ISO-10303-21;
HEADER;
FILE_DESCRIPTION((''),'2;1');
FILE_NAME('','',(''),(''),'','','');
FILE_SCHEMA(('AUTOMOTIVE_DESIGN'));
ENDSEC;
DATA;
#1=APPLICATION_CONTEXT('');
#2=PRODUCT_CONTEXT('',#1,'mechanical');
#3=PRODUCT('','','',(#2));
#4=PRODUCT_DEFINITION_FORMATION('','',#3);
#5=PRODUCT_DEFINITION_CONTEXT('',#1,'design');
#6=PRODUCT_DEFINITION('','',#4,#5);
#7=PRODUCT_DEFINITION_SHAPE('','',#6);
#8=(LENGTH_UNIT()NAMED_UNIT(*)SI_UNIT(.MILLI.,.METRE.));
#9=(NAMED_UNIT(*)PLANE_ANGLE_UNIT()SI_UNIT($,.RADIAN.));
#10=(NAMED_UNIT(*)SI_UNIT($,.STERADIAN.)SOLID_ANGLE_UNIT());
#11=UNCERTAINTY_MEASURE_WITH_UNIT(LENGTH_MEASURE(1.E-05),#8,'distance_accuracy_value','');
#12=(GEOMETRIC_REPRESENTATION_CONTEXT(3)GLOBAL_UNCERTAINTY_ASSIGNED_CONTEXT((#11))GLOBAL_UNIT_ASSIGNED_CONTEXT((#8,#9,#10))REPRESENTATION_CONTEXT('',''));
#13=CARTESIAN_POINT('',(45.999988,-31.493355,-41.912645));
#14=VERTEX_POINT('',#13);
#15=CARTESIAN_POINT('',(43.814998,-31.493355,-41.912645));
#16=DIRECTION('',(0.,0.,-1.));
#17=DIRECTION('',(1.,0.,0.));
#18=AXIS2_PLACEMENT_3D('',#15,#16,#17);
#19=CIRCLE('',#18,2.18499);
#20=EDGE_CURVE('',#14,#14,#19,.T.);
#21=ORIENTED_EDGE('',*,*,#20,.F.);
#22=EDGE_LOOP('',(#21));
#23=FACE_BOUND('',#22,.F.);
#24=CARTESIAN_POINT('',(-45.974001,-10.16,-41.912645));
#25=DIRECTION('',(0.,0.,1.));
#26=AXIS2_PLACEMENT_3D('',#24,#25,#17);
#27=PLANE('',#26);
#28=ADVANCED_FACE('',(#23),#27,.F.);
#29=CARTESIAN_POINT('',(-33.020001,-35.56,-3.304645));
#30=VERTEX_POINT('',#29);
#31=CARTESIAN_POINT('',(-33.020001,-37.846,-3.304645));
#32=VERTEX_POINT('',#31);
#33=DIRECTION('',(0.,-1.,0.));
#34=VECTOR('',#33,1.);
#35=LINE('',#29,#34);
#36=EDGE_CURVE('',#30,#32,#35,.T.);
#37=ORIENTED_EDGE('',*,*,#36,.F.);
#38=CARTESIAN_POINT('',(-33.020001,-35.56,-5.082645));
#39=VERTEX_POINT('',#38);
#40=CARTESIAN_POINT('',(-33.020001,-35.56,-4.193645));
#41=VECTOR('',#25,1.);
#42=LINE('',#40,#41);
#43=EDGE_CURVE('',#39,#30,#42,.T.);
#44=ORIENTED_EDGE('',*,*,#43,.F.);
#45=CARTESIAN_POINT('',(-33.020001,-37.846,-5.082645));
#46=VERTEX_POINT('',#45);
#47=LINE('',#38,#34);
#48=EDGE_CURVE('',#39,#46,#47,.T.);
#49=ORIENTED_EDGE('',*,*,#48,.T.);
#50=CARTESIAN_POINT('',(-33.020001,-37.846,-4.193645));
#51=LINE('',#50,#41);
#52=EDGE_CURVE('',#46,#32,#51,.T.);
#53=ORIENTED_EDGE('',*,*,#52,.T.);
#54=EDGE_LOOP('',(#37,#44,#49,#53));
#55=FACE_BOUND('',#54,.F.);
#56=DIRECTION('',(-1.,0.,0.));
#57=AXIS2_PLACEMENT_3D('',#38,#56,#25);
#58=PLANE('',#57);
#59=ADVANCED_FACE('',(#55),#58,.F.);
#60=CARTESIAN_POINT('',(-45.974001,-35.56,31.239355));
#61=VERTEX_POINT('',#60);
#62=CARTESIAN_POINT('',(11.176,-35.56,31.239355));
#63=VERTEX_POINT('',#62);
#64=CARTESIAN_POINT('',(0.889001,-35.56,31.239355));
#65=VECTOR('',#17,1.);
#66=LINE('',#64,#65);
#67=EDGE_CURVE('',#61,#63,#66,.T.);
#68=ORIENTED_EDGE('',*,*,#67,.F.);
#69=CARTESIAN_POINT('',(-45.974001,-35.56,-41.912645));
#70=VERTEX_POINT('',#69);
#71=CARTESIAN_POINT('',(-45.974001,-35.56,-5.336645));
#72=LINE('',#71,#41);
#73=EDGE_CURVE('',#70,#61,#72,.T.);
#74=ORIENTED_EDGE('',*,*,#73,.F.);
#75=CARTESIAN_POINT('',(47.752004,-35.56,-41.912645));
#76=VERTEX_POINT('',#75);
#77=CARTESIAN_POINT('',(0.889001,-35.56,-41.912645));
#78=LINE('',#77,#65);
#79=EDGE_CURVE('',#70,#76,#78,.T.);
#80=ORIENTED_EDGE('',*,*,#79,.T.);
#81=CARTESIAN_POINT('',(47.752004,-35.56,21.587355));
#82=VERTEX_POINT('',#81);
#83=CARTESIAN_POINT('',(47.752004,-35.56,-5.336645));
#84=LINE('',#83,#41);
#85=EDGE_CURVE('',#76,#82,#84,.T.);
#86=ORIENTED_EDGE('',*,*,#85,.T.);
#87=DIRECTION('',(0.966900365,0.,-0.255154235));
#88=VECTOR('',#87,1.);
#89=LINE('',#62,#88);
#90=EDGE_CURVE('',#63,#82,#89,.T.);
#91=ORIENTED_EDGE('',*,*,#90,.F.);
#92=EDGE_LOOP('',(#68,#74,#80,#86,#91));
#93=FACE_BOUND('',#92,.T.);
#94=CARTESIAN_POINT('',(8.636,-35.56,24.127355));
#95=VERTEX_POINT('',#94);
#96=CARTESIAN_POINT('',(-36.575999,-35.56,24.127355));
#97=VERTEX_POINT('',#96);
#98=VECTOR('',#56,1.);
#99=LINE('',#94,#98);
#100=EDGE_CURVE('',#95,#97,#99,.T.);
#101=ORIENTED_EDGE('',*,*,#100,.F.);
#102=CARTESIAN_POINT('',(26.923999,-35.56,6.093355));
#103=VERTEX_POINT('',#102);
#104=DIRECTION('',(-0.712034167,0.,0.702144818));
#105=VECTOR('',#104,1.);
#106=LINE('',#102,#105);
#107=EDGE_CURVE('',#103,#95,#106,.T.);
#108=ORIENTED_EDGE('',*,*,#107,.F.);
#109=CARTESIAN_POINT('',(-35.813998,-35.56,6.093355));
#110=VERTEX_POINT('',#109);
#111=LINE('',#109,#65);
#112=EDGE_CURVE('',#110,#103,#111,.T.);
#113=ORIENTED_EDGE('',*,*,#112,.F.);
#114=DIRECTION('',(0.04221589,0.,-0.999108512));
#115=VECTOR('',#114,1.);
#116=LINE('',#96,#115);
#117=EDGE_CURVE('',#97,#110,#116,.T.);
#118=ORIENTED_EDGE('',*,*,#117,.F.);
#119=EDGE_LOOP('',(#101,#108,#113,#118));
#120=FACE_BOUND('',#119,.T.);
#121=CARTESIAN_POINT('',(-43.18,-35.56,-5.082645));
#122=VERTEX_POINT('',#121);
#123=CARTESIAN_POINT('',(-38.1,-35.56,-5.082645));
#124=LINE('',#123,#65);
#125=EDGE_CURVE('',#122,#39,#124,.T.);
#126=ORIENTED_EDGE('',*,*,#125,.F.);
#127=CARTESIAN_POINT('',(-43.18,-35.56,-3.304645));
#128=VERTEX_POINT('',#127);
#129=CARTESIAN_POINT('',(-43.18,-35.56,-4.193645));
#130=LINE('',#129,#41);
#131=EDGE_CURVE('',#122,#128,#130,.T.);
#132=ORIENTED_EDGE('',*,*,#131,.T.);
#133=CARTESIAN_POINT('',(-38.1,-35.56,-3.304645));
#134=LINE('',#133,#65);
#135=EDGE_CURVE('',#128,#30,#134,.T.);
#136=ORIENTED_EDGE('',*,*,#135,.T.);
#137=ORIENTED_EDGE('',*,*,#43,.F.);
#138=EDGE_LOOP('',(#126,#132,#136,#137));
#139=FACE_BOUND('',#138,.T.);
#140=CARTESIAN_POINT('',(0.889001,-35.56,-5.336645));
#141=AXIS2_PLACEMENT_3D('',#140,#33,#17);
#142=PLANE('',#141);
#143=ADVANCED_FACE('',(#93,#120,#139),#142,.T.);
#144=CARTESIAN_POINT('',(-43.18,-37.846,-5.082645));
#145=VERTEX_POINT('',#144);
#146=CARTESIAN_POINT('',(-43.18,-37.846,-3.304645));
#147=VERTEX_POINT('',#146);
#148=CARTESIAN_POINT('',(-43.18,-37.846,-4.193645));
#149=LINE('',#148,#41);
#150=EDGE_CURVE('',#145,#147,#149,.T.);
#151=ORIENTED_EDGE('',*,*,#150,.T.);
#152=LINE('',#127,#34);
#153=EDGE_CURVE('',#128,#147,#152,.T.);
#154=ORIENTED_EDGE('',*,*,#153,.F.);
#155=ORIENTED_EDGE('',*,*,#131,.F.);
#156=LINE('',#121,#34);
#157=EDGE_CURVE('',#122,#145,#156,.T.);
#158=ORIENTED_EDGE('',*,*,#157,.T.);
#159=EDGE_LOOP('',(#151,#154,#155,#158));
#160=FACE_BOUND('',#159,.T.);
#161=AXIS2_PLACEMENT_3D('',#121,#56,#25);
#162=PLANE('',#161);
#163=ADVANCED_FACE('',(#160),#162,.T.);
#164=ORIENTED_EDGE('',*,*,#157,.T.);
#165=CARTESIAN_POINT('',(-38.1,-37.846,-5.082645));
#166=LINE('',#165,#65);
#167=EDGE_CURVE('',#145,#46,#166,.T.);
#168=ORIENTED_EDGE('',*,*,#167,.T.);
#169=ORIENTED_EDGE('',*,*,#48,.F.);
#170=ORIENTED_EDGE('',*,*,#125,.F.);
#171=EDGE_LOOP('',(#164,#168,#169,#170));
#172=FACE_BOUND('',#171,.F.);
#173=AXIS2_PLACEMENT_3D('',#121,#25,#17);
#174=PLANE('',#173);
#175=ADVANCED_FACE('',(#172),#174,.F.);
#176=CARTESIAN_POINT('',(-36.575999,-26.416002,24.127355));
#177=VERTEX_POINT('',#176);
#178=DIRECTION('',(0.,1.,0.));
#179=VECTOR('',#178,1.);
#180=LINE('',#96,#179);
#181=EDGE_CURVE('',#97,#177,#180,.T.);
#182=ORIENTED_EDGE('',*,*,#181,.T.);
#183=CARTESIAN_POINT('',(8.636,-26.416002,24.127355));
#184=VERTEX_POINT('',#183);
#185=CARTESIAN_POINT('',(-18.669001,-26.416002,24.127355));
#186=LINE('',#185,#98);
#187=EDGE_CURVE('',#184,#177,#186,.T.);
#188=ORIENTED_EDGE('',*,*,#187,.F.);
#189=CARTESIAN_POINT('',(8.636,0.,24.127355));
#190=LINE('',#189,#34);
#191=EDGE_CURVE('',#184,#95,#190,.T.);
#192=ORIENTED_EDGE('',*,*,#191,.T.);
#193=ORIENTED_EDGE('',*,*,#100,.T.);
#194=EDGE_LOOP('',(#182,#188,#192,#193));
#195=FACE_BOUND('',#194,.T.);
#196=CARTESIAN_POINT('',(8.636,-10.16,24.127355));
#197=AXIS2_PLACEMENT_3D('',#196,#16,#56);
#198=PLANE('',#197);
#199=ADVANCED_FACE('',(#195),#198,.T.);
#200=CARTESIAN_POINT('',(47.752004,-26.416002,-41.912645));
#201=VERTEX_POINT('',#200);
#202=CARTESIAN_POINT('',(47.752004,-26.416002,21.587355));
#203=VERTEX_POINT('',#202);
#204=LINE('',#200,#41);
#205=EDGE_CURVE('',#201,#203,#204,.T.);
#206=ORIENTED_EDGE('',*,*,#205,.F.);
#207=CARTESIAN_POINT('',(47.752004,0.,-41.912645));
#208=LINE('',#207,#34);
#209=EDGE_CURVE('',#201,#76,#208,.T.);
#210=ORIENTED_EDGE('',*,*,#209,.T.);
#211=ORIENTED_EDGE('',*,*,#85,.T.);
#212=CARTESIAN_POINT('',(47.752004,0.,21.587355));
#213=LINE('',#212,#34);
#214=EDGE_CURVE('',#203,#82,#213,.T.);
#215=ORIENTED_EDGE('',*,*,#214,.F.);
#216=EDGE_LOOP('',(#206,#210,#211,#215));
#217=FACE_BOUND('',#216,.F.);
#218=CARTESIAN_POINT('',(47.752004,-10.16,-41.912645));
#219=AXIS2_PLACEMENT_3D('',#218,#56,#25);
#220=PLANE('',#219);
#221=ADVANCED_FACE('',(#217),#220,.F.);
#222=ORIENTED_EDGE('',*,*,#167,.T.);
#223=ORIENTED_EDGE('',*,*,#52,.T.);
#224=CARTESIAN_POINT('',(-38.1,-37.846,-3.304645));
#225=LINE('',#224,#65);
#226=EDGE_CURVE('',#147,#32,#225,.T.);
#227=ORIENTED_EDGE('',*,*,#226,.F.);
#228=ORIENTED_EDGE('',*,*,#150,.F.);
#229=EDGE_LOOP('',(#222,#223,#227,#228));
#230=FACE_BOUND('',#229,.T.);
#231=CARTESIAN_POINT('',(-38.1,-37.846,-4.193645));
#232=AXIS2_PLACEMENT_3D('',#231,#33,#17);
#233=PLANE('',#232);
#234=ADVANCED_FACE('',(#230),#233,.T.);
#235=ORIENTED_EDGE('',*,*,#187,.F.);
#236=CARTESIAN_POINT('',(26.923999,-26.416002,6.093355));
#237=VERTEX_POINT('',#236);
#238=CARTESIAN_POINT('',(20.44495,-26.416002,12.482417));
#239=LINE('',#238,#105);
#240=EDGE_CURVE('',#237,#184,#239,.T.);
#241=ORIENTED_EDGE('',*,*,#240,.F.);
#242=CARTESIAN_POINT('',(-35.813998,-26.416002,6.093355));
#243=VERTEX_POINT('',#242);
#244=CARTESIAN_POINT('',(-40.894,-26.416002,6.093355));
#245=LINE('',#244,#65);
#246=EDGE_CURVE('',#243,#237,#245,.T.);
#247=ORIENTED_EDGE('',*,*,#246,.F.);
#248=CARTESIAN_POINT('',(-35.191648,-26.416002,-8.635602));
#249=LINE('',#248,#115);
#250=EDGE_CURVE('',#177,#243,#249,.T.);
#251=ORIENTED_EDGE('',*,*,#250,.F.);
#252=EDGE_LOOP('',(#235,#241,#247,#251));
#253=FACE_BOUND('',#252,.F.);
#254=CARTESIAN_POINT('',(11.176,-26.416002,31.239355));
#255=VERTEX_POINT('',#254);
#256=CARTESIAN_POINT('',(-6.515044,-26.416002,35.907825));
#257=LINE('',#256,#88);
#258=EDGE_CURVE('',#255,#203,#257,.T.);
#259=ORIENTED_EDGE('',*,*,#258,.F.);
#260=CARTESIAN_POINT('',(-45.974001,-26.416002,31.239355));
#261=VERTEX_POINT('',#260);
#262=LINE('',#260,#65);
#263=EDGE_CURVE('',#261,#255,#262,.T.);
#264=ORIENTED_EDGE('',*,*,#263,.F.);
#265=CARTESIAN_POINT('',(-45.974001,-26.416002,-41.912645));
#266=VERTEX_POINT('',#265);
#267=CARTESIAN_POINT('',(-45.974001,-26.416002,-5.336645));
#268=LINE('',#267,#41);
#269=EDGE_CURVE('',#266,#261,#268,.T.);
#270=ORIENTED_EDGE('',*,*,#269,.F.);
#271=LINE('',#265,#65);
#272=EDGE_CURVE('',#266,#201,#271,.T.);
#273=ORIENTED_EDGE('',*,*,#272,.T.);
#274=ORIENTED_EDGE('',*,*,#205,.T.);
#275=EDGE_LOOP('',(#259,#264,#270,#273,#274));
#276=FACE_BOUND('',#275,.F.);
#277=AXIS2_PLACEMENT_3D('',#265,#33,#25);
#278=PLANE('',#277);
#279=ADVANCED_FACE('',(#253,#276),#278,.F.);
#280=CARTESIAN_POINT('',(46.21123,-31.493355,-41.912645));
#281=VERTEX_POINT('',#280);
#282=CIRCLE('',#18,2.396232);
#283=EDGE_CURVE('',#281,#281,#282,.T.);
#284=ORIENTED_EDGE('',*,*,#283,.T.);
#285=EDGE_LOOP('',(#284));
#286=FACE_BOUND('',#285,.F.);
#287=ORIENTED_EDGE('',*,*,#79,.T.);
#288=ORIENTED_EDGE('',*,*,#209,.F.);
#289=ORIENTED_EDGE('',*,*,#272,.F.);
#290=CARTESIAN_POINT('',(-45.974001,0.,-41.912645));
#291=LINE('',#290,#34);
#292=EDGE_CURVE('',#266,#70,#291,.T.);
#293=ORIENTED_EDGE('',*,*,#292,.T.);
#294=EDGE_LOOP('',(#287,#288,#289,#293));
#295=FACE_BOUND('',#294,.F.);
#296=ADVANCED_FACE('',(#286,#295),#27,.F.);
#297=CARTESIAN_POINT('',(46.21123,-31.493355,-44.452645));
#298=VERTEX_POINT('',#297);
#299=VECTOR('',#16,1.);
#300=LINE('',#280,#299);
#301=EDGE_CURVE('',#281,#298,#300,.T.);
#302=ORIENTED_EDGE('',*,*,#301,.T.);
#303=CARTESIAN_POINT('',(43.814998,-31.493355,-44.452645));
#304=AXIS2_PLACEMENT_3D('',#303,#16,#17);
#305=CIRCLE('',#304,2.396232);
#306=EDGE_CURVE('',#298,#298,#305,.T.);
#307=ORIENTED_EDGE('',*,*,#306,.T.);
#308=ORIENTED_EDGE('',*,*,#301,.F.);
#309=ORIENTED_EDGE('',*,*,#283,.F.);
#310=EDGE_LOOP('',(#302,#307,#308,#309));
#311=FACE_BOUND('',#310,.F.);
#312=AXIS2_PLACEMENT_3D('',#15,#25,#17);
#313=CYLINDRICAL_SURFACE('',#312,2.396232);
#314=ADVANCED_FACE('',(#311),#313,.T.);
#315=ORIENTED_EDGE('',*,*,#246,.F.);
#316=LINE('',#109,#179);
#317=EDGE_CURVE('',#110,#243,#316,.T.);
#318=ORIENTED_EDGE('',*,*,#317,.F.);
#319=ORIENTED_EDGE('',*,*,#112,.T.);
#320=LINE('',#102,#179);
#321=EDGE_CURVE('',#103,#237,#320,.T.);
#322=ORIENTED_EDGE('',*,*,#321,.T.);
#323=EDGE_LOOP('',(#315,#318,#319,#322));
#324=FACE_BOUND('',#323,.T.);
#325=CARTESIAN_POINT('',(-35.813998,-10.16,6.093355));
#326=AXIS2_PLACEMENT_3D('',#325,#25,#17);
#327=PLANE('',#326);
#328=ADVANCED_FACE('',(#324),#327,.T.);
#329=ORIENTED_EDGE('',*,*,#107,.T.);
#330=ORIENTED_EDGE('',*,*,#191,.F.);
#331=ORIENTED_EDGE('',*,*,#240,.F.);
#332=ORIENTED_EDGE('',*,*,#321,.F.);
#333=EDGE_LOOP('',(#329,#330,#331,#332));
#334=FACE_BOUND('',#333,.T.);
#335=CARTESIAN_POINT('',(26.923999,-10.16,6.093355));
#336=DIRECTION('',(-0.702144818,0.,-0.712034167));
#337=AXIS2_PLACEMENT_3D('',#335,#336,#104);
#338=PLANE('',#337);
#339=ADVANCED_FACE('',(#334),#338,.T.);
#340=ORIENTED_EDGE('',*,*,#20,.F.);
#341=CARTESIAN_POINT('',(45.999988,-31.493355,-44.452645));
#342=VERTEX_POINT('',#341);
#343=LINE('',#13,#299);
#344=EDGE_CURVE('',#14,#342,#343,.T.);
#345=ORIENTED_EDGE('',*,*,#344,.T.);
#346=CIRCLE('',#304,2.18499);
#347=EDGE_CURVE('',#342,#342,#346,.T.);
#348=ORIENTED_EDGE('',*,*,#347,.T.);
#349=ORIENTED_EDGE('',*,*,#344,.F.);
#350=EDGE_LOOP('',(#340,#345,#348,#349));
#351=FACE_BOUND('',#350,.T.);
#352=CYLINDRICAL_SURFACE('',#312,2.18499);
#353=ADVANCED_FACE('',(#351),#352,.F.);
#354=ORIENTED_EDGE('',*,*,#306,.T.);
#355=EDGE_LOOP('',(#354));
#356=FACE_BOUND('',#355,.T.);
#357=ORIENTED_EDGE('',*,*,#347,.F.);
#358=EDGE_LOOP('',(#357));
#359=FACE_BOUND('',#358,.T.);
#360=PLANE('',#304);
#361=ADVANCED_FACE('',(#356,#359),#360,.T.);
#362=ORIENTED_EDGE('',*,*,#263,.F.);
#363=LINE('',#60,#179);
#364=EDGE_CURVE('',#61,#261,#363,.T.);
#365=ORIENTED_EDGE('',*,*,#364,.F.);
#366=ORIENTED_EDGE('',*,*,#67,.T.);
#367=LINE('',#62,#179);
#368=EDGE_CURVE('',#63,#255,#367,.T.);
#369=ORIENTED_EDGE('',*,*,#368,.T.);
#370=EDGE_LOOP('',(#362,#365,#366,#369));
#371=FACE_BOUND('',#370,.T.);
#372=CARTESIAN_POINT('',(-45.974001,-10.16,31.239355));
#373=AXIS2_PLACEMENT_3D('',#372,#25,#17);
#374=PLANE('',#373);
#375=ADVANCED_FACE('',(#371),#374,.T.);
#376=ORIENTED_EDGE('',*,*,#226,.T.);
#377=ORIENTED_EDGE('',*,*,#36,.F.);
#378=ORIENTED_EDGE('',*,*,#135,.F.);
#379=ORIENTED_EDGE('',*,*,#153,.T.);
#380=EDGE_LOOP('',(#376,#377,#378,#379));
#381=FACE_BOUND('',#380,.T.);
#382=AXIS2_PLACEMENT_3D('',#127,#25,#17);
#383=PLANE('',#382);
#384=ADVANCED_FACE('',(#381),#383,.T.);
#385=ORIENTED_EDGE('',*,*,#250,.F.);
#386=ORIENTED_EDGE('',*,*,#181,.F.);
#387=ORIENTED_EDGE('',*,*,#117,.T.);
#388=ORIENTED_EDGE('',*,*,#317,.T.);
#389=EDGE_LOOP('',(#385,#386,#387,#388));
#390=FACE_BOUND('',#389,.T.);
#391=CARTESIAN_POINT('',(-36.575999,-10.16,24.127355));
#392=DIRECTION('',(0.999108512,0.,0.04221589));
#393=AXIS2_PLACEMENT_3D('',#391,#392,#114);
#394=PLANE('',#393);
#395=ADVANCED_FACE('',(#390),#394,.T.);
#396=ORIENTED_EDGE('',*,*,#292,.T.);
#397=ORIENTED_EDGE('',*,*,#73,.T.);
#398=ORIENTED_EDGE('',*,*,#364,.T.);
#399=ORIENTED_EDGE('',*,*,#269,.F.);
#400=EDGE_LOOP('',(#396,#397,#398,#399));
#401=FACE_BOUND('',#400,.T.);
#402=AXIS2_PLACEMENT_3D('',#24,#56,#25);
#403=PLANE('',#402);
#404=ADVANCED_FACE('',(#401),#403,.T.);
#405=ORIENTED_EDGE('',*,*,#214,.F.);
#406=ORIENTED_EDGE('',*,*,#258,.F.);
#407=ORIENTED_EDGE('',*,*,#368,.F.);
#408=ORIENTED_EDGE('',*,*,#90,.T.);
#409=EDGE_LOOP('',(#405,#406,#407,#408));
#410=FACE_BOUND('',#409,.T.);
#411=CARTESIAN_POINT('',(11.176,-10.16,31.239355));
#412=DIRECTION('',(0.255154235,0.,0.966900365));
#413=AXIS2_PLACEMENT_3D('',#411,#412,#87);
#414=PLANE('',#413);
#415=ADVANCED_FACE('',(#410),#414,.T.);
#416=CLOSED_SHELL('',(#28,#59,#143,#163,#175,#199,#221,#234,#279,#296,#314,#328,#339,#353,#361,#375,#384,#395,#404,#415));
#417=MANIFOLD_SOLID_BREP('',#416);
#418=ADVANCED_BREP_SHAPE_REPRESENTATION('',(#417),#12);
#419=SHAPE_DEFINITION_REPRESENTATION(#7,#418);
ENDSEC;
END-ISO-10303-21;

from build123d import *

# Parameters (mm, degrees)
F0_W      = 93.7260054052
F0_H      = 73.1520000845
F1_DEPTH  = 10.16
F3_DEPTH  = 10.16
F5_DEPTH  = 10.16
F6_DEPTH  = 25.4
F7_W      = 10.1599991322
F7_H      = 1.7780002672
F8_DEPTH  = 2.286
F9_W      = 26.4160018414
F9_H      = 73.1520000845
F10_DEPTH = 127
F12_R     = 2.3962316347
F12_R_2   = 2.1849898249
F13_DEPTH = 2.54


with BuildPart() as f1:
    # F0 (on Front) → F1 (new body)
    with BuildSketch(Plane.XZ):
        with Locations((0.8890014142, -5.3366450593)):
            Rectangle(F0_W, F0_H)
    extrude(amount=F1_DEPTH)

    # F2 (on face) → F3 (cut)
    with BuildSketch(Plane.XZ.offset(10.16)):
        Polygon((47.7520041168, 31.239354983), (11.1760003492, 31.239354983), (47.7520041168, 21.5873550624), align=None)
    extrude(amount=-F3_DEPTH, mode=Mode.SUBTRACT)

    # F4 (on face) → F5 (cut)
    with BuildSketch(Plane.XZ.offset(10.16)):
        Polygon((8.6359996349, 24.1273548454), (-36.5759991109, 24.1273548454), (-35.813998431, 6.0933548957), (26.9239991903, 6.0933548957), align=None)
    extrude(amount=-F5_DEPTH, mode=Mode.SUBTRACT)

    # F6 (add): a face of the model
    f6_faces = [f1.faces().sort_by_distance(p)[0] for p in [
        (1.4948059303, -10.16, -9.7731364868),
    ]]
    extrude(f6_faces, amount=F6_DEPTH)

    # F7 (on face) → F8 (join)
    with BuildSketch(Plane.XZ.offset(35.56)):
        with Locations((-38.1000004709, -4.1936453199)):
            Rectangle(F7_W, F7_H)
    extrude(amount=F8_DEPTH)

    # F9 (on face) → F10 (cut)
    with BuildSketch(Plane(origin=(-45.9740012884, 0, 0), x_dir=(0, -1, 0), z_dir=(-1, 0, 0))):
        with Locations((13.2080009207, -5.3366450593)):
            Rectangle(F9_W, F9_H)
    extrude(amount=-F10_DEPTH, mode=Mode.SUBTRACT)

    # F12 (on face) → F13 (join)
    with BuildSketch(Plane(origin=(0, 0, -41.9126451015), x_dir=(1, 0, 0), z_dir=(0, 0, -1))):
        with Locations((43.8149981201, 31.4933545887)):
            Circle(F12_R)
        with Locations((43.8149981201, 31.4933545887)):
            Circle(F12_R_2, mode=Mode.SUBTRACT)
    extrude(amount=F13_DEPTH)


solid = f1.part
